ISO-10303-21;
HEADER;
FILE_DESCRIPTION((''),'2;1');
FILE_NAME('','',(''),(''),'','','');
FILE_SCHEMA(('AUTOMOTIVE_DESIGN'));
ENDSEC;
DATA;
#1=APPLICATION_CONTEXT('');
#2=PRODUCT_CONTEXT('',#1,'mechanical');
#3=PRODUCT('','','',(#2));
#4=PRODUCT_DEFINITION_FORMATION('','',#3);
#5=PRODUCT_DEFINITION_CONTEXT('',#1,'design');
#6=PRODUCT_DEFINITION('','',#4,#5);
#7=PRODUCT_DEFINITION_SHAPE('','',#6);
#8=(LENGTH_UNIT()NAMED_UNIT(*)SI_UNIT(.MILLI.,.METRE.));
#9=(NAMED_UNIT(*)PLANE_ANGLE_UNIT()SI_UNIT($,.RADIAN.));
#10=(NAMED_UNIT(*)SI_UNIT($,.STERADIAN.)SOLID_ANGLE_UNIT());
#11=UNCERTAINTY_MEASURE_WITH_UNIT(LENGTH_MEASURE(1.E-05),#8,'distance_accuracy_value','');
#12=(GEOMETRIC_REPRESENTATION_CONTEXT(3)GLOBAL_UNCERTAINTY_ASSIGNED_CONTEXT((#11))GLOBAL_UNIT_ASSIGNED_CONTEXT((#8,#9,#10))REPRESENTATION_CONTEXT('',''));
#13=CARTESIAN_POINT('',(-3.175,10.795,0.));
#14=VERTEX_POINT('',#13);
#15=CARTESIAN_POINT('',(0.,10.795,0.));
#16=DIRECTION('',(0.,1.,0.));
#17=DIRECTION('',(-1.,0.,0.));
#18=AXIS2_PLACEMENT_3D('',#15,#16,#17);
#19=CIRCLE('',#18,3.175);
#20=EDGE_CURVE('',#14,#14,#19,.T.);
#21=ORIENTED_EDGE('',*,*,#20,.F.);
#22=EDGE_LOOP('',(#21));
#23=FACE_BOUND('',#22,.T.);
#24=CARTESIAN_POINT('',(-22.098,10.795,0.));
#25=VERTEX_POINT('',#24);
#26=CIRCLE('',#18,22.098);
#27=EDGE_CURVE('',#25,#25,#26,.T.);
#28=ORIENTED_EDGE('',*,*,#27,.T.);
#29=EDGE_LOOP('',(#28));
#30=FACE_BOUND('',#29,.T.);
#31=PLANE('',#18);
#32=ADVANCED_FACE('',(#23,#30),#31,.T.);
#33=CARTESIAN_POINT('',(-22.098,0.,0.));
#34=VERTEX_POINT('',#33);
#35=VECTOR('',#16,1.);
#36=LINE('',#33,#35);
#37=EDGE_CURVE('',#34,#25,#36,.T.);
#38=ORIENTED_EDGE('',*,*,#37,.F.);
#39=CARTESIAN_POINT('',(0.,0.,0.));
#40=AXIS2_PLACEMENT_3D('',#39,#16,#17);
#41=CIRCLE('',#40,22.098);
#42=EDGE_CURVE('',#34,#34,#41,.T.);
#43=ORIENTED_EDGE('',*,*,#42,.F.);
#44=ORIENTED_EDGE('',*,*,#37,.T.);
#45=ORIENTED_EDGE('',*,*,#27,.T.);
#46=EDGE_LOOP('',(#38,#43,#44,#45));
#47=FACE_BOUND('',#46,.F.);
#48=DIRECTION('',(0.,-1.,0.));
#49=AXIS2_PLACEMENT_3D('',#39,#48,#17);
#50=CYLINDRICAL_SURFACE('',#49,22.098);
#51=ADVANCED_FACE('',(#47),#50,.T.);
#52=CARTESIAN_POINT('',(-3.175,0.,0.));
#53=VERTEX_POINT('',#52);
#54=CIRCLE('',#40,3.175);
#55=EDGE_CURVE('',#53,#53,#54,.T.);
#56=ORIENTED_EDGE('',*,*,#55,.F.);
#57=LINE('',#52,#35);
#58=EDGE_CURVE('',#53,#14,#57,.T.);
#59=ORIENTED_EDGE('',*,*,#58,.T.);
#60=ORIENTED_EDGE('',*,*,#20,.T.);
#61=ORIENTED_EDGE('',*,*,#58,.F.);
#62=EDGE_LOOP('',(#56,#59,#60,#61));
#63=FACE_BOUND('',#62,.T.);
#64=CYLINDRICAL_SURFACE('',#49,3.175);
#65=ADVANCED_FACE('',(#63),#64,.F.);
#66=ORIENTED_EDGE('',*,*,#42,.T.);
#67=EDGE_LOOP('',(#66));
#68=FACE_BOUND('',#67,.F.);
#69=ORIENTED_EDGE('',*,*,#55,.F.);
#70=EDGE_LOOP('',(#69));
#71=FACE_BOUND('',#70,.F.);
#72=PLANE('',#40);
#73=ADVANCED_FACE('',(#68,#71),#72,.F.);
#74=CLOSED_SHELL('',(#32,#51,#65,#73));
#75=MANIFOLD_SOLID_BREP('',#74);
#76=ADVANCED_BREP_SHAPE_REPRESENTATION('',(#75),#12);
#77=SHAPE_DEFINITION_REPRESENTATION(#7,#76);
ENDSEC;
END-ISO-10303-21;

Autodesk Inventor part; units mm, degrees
ref_plane "YZ Plane" through (0, 0, 0) normal (1, 0, 0) x (0, 1, 0)
ref_plane "XZ Plane" through (0, 0, 0) normal (0, 1, 0) x (-1, 0, 0)
ref_plane "XY Plane" through (0, 0, 0) normal (0, 0, 1) x (1, 0, 0)
sketch "Sketch1" plane through (0, 0, 0) normal (0, 1, 0) x (-1, 0, 0)
  circle A0 centre (0, 0) radius 22.098
  circle A1 centre (0, 0) radius 3.175
  dimension "d0" = 44.196
  dimension "d1" = 6.35
extrude "Extrusion1" add sketch "Sketch1" along normal blind 10.795
properties part number "smallinertiawheel"
